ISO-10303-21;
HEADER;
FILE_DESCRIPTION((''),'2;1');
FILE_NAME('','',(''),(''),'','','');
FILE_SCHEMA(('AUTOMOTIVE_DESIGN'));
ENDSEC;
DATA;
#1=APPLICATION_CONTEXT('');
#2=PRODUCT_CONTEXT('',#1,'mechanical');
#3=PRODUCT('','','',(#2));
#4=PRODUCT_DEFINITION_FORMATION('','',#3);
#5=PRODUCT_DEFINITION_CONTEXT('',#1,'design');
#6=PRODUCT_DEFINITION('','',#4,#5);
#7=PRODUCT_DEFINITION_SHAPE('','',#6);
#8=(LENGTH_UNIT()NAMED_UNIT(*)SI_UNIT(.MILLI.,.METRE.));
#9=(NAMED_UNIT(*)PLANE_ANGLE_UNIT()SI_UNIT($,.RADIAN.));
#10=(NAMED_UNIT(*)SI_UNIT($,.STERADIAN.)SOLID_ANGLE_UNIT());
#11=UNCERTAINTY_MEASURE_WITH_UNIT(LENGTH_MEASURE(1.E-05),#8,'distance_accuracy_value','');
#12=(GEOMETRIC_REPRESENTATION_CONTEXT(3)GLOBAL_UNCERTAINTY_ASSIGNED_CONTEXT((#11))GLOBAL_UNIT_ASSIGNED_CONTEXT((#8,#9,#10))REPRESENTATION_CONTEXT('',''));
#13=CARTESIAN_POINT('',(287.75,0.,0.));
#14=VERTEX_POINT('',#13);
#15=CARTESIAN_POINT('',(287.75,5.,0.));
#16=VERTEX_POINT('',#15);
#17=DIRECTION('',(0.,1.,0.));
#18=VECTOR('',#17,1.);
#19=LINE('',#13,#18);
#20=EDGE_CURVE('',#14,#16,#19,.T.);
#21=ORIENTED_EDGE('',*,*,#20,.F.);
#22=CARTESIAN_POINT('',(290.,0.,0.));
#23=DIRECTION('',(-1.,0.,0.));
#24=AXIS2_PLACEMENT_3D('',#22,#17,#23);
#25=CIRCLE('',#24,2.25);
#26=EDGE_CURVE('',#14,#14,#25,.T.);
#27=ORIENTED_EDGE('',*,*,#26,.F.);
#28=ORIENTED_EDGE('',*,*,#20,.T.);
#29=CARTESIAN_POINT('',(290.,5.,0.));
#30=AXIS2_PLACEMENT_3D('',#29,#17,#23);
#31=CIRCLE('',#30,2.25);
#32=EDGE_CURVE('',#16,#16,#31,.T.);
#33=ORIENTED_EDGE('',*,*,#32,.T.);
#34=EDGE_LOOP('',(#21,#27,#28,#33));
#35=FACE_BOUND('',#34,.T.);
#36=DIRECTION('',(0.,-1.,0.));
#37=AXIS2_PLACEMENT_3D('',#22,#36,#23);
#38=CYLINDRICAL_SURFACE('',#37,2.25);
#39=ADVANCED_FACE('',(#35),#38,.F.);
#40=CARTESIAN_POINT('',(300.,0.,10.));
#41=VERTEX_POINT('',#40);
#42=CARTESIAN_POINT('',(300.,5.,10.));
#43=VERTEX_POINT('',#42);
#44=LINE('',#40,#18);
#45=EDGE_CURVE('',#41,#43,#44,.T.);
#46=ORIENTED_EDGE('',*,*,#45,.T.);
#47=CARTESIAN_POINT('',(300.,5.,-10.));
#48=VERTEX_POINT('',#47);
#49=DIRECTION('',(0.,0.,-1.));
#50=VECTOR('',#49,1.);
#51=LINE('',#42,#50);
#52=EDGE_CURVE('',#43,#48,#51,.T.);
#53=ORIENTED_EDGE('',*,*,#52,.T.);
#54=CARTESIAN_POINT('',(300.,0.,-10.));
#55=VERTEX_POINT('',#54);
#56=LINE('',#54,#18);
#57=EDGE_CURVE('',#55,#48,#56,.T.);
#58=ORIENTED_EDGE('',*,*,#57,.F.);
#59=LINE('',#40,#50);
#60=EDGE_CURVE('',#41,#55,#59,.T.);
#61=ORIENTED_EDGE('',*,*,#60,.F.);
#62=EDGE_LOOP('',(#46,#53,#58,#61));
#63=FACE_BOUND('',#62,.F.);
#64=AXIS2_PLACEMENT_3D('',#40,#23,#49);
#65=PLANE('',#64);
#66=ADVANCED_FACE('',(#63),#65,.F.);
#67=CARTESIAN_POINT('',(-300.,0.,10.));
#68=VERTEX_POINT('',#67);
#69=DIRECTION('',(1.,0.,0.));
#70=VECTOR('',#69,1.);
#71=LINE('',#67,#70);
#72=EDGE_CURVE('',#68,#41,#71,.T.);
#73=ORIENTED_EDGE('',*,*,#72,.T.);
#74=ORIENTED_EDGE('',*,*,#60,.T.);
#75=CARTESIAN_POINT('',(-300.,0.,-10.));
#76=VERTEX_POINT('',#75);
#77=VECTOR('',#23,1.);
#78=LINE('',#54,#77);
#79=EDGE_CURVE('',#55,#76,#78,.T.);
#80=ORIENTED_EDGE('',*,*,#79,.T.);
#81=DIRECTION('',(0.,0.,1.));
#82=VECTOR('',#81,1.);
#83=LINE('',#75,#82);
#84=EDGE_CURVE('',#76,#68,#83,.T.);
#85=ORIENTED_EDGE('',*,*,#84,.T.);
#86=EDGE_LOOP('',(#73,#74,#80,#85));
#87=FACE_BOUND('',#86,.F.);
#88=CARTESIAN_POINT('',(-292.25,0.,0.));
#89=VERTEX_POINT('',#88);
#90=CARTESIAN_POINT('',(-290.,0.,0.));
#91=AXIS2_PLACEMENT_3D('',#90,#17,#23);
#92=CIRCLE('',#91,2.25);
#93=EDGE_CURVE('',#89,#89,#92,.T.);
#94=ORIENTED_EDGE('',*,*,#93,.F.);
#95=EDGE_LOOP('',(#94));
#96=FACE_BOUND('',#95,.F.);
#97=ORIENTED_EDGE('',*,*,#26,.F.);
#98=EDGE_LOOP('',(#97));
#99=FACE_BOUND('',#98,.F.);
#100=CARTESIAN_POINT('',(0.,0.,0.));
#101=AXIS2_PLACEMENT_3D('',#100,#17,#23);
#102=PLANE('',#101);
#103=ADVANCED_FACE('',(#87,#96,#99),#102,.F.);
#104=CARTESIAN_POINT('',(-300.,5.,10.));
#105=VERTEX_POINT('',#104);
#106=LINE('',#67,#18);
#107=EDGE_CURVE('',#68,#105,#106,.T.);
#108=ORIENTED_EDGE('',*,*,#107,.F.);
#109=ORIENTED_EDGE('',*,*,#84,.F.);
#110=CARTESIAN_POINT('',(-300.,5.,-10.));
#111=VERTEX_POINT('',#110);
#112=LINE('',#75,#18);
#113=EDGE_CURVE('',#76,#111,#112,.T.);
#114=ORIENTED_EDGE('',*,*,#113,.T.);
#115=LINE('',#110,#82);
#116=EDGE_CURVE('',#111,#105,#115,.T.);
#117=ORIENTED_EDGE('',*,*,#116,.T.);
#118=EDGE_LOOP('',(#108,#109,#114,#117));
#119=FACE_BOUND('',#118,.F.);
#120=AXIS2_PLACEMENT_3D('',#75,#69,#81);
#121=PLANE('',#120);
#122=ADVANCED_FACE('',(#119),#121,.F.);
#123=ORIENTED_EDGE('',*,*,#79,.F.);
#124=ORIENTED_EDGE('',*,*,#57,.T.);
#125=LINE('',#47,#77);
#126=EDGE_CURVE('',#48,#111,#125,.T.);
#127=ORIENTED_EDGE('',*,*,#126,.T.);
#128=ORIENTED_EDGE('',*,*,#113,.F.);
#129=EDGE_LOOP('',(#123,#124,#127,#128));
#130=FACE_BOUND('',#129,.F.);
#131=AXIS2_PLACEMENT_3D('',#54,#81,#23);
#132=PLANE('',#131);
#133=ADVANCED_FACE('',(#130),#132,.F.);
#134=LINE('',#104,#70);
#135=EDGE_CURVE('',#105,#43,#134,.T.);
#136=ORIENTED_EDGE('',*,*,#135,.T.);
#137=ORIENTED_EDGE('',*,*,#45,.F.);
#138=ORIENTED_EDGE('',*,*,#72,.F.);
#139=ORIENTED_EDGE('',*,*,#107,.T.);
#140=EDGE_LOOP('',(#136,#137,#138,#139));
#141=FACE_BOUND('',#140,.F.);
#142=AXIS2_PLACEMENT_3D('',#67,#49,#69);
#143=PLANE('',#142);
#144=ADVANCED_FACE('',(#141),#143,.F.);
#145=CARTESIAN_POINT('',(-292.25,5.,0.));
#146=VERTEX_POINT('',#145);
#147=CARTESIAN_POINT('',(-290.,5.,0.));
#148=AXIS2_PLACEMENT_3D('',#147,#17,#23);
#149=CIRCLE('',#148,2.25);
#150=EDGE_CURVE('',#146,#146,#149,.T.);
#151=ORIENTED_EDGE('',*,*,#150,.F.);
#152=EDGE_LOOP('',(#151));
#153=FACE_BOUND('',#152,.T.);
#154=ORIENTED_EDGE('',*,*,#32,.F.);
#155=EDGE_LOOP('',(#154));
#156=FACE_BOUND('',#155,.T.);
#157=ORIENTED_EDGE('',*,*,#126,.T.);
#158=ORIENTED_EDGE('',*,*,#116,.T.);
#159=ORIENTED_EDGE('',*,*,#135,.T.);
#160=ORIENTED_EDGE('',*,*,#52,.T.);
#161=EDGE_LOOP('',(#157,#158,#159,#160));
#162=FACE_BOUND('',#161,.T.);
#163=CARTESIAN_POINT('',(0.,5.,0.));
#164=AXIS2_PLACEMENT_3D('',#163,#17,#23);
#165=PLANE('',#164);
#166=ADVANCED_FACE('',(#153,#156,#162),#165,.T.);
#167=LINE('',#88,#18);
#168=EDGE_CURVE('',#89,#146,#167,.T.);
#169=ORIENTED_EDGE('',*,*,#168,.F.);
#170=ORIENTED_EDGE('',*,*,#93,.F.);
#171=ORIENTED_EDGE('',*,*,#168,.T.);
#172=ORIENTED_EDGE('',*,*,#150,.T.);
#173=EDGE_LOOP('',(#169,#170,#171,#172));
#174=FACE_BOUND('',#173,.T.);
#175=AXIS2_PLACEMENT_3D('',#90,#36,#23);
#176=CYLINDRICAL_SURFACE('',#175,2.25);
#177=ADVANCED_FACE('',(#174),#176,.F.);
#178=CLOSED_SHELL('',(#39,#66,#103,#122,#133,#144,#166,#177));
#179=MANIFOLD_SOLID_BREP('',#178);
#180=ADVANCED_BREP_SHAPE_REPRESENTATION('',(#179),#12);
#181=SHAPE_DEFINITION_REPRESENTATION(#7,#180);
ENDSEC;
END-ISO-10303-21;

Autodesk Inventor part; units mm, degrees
ref_plane "YZ Plane" through (0, 0, 0) normal (1, 0, 0) x (0, 1, 0)
ref_plane "XZ Plane" through (0, 0, 0) normal (0, 1, 0) x (-1, 0, 0)
ref_plane "XY Plane" through (0, 0, 0) normal (0, 0, 1) x (1, 0, 0)
sketch "スケッチ1" plane through (0, 0, 0) normal (0, 1, 0) x (-1, 0, 0)
  line L0 (300, 10) -> (-300, 10)
  line L1 (-300, 10) -> (-300, -10)
  line L2 (-300, -10) -> (300, -10)
  line L3 (300, -10) -> (300, 10)
  circle A0 centre (290, 0) radius 2.25
  circle A1 centre (-290, 0) radius 2.25
  point P0 (0, 0)
  point P1 (0, 10)
  point P2 (300, 0)
  point P3 (-300, 0)
  dimension "d0" = 20
  dimension "d1" = 600
  dimension "d2" = 4.5
  dimension "d3" = 10
  dimension "d4" = 10
extrude "押し出し1" add sketch "スケッチ1" along normal blind 5
equation "\"d4\" = d3"
properties part number "gpu_support"
